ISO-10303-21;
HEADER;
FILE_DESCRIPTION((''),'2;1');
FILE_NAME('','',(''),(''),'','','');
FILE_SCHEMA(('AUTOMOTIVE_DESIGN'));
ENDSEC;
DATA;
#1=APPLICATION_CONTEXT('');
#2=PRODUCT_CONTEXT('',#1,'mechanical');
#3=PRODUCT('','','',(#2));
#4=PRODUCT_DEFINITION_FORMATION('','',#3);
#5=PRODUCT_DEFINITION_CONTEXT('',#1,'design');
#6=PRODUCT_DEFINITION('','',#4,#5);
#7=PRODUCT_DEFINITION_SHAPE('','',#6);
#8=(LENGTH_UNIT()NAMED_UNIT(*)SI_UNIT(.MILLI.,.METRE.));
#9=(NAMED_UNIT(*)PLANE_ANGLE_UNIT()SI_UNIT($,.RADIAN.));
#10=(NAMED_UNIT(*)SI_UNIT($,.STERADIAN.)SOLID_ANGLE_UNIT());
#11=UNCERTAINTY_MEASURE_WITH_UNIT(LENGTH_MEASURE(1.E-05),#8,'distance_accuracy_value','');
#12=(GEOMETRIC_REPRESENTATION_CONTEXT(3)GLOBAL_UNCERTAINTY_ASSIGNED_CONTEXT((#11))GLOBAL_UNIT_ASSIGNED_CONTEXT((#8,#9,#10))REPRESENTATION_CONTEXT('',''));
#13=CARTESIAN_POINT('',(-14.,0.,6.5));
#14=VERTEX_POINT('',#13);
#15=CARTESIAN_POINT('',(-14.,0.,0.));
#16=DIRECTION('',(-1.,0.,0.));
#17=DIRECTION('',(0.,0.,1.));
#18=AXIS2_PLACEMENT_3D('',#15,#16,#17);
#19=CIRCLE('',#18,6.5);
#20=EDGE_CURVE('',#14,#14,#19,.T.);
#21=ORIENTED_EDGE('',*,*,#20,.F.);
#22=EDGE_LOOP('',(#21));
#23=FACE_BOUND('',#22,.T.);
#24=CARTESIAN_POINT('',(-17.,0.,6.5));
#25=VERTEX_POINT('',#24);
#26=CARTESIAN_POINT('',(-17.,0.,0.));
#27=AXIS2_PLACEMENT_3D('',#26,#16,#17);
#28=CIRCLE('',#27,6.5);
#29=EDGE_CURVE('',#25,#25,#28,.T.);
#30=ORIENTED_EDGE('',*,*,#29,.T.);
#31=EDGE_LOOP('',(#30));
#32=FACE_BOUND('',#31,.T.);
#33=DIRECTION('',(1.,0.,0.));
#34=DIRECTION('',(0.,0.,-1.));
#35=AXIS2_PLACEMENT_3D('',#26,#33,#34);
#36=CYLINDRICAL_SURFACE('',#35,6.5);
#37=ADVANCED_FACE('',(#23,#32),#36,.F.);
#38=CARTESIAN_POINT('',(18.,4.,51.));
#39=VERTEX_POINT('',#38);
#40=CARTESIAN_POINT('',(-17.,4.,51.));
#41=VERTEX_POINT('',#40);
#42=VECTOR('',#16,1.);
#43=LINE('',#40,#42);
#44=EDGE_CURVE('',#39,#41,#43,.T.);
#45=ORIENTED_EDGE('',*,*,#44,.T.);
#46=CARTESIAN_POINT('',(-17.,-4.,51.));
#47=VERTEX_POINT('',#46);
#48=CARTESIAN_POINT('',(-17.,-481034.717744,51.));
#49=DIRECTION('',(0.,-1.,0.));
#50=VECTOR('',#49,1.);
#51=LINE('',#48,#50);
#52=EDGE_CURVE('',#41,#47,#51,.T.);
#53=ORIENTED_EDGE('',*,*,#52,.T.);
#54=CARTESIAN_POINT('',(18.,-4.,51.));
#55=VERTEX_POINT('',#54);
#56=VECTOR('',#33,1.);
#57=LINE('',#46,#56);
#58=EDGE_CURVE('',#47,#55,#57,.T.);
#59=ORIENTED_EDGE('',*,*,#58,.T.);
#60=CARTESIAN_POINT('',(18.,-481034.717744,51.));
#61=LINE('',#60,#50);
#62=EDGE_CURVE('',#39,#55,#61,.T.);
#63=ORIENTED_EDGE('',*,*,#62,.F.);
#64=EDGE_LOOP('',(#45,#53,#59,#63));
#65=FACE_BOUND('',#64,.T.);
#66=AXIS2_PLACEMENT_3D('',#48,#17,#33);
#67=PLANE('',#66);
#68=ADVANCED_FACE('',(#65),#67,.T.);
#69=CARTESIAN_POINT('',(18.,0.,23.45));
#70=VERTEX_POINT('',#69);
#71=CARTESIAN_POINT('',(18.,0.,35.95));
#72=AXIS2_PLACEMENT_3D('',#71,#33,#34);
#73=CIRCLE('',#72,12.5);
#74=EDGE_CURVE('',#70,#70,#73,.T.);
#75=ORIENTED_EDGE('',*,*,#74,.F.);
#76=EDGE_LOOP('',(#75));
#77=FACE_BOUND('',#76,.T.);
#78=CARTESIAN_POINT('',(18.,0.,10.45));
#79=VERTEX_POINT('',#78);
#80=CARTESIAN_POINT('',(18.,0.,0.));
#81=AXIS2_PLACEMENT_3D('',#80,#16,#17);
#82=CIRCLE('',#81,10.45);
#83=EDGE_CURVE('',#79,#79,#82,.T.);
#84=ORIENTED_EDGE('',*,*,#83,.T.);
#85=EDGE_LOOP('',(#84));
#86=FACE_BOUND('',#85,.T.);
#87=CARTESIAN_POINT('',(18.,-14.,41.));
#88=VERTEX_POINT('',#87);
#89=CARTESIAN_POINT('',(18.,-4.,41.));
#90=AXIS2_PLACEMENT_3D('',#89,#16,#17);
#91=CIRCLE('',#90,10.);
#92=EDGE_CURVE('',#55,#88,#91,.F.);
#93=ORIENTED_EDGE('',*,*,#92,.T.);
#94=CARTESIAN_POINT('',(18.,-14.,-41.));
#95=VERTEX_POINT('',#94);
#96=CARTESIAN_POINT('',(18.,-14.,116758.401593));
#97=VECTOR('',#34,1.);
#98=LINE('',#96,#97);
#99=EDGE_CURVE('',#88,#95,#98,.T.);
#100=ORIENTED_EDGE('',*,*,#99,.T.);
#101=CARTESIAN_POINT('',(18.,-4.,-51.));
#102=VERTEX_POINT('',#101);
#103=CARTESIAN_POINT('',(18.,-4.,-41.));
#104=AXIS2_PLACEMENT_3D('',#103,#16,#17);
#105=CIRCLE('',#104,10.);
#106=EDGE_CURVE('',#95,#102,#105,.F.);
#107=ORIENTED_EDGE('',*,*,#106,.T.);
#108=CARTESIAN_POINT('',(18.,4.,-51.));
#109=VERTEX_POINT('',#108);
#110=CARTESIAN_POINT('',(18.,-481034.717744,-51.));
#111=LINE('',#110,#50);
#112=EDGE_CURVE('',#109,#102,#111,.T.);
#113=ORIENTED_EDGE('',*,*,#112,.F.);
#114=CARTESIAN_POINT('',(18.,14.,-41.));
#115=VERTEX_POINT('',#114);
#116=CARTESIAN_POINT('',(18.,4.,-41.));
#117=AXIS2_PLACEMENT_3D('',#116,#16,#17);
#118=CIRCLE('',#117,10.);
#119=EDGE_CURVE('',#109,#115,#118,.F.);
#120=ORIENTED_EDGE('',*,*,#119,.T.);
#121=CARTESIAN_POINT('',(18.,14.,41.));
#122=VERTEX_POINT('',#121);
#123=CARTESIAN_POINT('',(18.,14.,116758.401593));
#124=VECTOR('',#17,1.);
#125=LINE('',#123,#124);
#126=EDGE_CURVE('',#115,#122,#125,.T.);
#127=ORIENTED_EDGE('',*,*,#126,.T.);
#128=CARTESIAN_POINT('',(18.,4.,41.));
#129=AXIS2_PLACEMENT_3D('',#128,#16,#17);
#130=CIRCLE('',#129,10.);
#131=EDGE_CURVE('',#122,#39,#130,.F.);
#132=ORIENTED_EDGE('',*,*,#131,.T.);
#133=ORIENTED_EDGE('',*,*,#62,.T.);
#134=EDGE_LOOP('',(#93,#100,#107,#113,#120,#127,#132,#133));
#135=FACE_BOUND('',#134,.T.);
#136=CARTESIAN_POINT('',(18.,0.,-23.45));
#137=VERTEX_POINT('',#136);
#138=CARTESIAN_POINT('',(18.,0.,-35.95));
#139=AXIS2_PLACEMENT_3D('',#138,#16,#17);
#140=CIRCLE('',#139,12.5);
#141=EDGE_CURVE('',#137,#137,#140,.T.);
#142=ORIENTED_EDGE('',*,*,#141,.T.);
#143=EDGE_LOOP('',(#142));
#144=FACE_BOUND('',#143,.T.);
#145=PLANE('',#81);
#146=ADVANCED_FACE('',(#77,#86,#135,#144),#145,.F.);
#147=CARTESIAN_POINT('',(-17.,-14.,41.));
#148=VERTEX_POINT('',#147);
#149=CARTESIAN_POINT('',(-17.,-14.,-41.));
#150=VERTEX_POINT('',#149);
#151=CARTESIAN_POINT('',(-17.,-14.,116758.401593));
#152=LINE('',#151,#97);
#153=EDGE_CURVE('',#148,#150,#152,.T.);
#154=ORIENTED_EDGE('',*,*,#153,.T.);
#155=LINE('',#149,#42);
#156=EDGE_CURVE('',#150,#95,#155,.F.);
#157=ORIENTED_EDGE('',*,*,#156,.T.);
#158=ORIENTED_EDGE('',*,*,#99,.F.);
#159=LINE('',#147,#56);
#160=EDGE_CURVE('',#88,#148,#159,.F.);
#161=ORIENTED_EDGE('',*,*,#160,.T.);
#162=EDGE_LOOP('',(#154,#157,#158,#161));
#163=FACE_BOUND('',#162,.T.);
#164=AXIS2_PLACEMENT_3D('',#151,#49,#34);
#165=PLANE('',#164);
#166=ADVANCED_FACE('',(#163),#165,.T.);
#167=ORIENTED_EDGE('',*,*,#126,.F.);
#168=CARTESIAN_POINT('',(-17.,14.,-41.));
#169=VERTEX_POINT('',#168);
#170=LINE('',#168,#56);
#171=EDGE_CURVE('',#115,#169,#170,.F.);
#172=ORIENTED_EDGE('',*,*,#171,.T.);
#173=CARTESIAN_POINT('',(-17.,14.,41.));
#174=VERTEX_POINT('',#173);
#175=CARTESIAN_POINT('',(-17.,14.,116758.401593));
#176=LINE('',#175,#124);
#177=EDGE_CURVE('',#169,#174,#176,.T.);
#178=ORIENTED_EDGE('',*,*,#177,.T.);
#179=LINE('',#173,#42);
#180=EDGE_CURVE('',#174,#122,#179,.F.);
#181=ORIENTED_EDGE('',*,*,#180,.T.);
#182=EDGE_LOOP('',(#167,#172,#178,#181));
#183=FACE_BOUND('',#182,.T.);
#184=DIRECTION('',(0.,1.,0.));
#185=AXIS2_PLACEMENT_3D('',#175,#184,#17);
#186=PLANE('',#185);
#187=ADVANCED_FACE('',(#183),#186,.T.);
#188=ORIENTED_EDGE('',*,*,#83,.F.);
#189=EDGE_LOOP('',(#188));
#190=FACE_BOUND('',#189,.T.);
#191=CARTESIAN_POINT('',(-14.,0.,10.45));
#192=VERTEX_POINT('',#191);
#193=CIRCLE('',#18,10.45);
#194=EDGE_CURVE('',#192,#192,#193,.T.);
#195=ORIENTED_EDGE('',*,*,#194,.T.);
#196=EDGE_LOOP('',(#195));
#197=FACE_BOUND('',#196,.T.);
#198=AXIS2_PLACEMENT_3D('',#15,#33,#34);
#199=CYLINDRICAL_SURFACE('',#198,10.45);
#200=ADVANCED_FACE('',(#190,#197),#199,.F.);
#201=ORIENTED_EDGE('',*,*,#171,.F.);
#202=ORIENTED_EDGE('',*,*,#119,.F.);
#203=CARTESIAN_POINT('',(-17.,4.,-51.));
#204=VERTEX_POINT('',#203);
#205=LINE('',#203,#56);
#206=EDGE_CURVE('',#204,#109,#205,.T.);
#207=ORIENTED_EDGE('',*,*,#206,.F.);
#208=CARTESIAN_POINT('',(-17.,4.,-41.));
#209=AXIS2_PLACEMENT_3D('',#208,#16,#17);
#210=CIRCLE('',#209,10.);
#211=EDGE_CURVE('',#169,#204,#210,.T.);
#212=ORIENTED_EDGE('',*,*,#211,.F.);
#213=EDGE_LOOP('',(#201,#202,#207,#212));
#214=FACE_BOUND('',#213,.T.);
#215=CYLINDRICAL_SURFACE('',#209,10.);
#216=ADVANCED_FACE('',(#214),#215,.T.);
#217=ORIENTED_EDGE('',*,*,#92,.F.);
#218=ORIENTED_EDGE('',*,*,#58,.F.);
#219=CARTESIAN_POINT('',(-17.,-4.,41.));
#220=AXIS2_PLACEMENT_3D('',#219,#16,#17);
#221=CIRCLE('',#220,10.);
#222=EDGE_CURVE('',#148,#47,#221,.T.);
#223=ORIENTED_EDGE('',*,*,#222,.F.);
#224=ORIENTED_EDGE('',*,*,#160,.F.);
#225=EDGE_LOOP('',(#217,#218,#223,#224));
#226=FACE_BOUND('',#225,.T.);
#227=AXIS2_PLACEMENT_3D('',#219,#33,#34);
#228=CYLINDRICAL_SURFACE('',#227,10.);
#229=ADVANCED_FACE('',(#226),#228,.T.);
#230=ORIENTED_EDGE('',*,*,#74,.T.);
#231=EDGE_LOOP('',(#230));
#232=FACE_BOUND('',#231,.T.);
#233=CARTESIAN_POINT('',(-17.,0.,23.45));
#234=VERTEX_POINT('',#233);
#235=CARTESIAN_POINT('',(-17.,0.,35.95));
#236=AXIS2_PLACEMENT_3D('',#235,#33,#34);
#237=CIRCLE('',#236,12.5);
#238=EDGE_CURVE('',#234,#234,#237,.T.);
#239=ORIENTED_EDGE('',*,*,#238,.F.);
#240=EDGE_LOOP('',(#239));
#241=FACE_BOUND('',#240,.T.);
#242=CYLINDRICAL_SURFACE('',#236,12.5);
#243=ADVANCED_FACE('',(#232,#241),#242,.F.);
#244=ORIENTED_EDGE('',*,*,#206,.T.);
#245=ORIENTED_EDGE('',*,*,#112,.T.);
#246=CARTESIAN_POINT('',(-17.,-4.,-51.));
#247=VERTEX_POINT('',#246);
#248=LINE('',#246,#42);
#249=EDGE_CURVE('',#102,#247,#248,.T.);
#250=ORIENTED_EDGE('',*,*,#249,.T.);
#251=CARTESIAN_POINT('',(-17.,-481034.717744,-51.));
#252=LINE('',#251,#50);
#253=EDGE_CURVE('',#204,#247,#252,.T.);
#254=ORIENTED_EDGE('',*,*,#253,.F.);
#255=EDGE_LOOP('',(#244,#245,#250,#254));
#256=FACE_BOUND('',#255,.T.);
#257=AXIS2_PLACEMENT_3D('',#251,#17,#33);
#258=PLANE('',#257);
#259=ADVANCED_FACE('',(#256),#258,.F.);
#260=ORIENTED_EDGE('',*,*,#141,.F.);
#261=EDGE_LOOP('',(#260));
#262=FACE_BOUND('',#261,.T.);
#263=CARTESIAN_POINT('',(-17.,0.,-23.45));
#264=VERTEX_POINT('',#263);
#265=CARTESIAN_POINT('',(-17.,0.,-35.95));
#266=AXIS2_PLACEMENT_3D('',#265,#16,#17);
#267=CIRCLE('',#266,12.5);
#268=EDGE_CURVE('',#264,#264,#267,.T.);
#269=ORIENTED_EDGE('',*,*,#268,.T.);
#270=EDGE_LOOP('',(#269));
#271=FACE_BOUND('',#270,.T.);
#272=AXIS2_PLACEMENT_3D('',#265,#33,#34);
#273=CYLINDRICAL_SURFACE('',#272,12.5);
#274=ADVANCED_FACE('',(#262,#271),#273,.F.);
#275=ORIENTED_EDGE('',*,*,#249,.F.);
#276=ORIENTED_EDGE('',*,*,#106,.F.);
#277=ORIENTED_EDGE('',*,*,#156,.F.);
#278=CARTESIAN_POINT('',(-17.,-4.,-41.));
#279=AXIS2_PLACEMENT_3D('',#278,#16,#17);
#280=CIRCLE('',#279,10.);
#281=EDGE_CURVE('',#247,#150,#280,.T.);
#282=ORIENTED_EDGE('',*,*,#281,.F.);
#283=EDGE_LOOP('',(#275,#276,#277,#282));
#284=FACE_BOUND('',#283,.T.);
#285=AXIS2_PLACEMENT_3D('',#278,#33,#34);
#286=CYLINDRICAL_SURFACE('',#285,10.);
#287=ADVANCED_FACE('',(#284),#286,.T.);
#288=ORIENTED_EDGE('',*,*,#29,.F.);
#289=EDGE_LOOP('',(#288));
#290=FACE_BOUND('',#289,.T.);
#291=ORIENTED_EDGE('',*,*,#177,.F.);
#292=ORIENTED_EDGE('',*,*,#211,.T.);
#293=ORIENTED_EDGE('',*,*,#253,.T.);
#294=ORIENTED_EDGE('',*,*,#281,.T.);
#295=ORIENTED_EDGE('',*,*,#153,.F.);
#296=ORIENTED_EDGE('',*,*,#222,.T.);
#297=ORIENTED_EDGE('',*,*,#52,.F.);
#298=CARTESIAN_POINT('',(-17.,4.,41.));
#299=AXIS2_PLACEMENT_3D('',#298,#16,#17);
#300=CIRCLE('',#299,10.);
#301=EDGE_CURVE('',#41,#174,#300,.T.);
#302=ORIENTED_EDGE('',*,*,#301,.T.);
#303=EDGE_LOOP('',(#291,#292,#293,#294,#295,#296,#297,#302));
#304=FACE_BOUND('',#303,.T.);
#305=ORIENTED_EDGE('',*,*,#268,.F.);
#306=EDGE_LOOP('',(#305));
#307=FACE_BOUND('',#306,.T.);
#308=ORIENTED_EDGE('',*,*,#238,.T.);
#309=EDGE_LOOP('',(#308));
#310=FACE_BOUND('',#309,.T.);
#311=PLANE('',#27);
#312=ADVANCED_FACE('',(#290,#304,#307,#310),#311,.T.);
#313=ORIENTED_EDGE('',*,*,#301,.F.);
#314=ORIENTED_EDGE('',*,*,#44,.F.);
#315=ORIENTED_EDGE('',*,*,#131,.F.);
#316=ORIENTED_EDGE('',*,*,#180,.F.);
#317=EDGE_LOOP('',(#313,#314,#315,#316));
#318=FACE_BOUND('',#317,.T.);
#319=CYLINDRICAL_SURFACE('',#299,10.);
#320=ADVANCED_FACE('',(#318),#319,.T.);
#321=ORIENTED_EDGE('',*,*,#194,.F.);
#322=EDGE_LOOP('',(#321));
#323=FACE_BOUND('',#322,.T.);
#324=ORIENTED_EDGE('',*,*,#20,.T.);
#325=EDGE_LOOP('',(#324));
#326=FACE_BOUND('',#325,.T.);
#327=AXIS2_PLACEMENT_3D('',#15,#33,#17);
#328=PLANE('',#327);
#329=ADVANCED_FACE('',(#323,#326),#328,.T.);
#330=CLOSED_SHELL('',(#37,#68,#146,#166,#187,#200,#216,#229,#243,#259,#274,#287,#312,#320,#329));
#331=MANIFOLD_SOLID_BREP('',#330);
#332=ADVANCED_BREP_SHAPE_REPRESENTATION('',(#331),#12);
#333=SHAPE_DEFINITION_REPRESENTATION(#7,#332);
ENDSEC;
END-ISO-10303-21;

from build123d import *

# Parameters (mm, degrees)
BOSS_EXTRUDE1_START  = -17
BOSS_EXTRUDE1_DEPTH  = 35
SKETCH2_R            = 10.45
CUT_EXTRUDE1_DEPTH   = 32
SKETCH3_R            = 6.5
CUT_EXTRUDE2_DEPTH   = 62.814237842
SKETCH4_R            = 12.5
CUT_EXTRUDE3_DEPTH   = 64.419239983
FILLET5_R            = 10
FILLET6_R            = 10
FILLET5_OF_MIRROR1_R = 10
FILLET6_OF_MIRROR1_R = 10


with BuildPart() as part:
    # Sketch1 → Boss-Extrude1 (new body)
    with BuildSketch(Plane.YZ.offset(BOSS_EXTRUDE1_START)):
        with BuildLine():
            Line((-14, 0), (-14, 51))
            Line((-14, 51), (14, 51))
            Line((14, 51), (14, 0))
            ThreePointArc((14, 0), (0, -14), (-14, 0))
        make_face()
    boss_extrude1 = extrude(amount=BOSS_EXTRUDE1_DEPTH)

    # Sketch2 → Cut-Extrude1 (cut)
    with BuildSketch(Plane.YZ.offset(18)):
        with Locations(Location((0, 0, 0), (0, 0, 270))):
            Circle(SKETCH2_R)
    cut_extrude1 = extrude(amount=-CUT_EXTRUDE1_DEPTH, mode=Mode.SUBTRACT)

    # Sketch3 → Cut-Extrude2 (cut, through all)
    with BuildSketch(Plane.YZ.offset(-14)):
        with Locations(Location((0, 0, 0), (0, 0, 270))):
            Circle(SKETCH3_R)
    cut_extrude2 = extrude(amount=-CUT_EXTRUDE2_DEPTH, mode=Mode.SUBTRACT)

    # Sketch4 → Cut-Extrude3 (cut, through all)
    with BuildSketch(Plane.YZ.offset(18)):
        with Locations(Location((0, 35.95, 0), (0, 0, 270))):
            Circle(SKETCH4_R)
    cut_extrude3 = extrude(amount=-CUT_EXTRUDE3_DEPTH, mode=Mode.SUBTRACT)

    # Fillet5
    fillet5_edges = [part.edges().sort_by_distance(p)[0] for p in [
        (0.5, 14, 51),
    ]]
    fillet(fillet5_edges, radius=FILLET5_R)

    # Fillet6
    fillet6_edges = [part.edges().sort_by_distance(p)[0] for p in [
        (0.5, -14, 51),
    ]]
    fillet(fillet6_edges, radius=FILLET6_R)

    # Mirror1: Boss-Extrude1, Cut-Extrude1, Cut-Extrude2, Cut-Extrude3 across plane
    add(boss_extrude1.mirror(Plane.XY))
    add(cut_extrude1.mirror(Plane.XY), mode=Mode.SUBTRACT)
    add(cut_extrude2.mirror(Plane.XY), mode=Mode.SUBTRACT)
    add(cut_extrude3.mirror(Plane.XY), mode=Mode.SUBTRACT)

    # Fillet5 of Mirror1
    fillet5_of_mirror1_edges = [part.edges().sort_by_distance(p)[0] for p in [
        (0.5, 14, -51),
    ]]
    fillet(fillet5_of_mirror1_edges, radius=FILLET5_OF_MIRROR1_R)

    # Fillet6 of Mirror1
    fillet6_of_mirror1_edges = [part.edges().sort_by_distance(p)[0] for p in [
        (0.5, -14, -51),
    ]]
    fillet(fillet6_of_mirror1_edges, radius=FILLET6_OF_MIRROR1_R)


solid = part.part
